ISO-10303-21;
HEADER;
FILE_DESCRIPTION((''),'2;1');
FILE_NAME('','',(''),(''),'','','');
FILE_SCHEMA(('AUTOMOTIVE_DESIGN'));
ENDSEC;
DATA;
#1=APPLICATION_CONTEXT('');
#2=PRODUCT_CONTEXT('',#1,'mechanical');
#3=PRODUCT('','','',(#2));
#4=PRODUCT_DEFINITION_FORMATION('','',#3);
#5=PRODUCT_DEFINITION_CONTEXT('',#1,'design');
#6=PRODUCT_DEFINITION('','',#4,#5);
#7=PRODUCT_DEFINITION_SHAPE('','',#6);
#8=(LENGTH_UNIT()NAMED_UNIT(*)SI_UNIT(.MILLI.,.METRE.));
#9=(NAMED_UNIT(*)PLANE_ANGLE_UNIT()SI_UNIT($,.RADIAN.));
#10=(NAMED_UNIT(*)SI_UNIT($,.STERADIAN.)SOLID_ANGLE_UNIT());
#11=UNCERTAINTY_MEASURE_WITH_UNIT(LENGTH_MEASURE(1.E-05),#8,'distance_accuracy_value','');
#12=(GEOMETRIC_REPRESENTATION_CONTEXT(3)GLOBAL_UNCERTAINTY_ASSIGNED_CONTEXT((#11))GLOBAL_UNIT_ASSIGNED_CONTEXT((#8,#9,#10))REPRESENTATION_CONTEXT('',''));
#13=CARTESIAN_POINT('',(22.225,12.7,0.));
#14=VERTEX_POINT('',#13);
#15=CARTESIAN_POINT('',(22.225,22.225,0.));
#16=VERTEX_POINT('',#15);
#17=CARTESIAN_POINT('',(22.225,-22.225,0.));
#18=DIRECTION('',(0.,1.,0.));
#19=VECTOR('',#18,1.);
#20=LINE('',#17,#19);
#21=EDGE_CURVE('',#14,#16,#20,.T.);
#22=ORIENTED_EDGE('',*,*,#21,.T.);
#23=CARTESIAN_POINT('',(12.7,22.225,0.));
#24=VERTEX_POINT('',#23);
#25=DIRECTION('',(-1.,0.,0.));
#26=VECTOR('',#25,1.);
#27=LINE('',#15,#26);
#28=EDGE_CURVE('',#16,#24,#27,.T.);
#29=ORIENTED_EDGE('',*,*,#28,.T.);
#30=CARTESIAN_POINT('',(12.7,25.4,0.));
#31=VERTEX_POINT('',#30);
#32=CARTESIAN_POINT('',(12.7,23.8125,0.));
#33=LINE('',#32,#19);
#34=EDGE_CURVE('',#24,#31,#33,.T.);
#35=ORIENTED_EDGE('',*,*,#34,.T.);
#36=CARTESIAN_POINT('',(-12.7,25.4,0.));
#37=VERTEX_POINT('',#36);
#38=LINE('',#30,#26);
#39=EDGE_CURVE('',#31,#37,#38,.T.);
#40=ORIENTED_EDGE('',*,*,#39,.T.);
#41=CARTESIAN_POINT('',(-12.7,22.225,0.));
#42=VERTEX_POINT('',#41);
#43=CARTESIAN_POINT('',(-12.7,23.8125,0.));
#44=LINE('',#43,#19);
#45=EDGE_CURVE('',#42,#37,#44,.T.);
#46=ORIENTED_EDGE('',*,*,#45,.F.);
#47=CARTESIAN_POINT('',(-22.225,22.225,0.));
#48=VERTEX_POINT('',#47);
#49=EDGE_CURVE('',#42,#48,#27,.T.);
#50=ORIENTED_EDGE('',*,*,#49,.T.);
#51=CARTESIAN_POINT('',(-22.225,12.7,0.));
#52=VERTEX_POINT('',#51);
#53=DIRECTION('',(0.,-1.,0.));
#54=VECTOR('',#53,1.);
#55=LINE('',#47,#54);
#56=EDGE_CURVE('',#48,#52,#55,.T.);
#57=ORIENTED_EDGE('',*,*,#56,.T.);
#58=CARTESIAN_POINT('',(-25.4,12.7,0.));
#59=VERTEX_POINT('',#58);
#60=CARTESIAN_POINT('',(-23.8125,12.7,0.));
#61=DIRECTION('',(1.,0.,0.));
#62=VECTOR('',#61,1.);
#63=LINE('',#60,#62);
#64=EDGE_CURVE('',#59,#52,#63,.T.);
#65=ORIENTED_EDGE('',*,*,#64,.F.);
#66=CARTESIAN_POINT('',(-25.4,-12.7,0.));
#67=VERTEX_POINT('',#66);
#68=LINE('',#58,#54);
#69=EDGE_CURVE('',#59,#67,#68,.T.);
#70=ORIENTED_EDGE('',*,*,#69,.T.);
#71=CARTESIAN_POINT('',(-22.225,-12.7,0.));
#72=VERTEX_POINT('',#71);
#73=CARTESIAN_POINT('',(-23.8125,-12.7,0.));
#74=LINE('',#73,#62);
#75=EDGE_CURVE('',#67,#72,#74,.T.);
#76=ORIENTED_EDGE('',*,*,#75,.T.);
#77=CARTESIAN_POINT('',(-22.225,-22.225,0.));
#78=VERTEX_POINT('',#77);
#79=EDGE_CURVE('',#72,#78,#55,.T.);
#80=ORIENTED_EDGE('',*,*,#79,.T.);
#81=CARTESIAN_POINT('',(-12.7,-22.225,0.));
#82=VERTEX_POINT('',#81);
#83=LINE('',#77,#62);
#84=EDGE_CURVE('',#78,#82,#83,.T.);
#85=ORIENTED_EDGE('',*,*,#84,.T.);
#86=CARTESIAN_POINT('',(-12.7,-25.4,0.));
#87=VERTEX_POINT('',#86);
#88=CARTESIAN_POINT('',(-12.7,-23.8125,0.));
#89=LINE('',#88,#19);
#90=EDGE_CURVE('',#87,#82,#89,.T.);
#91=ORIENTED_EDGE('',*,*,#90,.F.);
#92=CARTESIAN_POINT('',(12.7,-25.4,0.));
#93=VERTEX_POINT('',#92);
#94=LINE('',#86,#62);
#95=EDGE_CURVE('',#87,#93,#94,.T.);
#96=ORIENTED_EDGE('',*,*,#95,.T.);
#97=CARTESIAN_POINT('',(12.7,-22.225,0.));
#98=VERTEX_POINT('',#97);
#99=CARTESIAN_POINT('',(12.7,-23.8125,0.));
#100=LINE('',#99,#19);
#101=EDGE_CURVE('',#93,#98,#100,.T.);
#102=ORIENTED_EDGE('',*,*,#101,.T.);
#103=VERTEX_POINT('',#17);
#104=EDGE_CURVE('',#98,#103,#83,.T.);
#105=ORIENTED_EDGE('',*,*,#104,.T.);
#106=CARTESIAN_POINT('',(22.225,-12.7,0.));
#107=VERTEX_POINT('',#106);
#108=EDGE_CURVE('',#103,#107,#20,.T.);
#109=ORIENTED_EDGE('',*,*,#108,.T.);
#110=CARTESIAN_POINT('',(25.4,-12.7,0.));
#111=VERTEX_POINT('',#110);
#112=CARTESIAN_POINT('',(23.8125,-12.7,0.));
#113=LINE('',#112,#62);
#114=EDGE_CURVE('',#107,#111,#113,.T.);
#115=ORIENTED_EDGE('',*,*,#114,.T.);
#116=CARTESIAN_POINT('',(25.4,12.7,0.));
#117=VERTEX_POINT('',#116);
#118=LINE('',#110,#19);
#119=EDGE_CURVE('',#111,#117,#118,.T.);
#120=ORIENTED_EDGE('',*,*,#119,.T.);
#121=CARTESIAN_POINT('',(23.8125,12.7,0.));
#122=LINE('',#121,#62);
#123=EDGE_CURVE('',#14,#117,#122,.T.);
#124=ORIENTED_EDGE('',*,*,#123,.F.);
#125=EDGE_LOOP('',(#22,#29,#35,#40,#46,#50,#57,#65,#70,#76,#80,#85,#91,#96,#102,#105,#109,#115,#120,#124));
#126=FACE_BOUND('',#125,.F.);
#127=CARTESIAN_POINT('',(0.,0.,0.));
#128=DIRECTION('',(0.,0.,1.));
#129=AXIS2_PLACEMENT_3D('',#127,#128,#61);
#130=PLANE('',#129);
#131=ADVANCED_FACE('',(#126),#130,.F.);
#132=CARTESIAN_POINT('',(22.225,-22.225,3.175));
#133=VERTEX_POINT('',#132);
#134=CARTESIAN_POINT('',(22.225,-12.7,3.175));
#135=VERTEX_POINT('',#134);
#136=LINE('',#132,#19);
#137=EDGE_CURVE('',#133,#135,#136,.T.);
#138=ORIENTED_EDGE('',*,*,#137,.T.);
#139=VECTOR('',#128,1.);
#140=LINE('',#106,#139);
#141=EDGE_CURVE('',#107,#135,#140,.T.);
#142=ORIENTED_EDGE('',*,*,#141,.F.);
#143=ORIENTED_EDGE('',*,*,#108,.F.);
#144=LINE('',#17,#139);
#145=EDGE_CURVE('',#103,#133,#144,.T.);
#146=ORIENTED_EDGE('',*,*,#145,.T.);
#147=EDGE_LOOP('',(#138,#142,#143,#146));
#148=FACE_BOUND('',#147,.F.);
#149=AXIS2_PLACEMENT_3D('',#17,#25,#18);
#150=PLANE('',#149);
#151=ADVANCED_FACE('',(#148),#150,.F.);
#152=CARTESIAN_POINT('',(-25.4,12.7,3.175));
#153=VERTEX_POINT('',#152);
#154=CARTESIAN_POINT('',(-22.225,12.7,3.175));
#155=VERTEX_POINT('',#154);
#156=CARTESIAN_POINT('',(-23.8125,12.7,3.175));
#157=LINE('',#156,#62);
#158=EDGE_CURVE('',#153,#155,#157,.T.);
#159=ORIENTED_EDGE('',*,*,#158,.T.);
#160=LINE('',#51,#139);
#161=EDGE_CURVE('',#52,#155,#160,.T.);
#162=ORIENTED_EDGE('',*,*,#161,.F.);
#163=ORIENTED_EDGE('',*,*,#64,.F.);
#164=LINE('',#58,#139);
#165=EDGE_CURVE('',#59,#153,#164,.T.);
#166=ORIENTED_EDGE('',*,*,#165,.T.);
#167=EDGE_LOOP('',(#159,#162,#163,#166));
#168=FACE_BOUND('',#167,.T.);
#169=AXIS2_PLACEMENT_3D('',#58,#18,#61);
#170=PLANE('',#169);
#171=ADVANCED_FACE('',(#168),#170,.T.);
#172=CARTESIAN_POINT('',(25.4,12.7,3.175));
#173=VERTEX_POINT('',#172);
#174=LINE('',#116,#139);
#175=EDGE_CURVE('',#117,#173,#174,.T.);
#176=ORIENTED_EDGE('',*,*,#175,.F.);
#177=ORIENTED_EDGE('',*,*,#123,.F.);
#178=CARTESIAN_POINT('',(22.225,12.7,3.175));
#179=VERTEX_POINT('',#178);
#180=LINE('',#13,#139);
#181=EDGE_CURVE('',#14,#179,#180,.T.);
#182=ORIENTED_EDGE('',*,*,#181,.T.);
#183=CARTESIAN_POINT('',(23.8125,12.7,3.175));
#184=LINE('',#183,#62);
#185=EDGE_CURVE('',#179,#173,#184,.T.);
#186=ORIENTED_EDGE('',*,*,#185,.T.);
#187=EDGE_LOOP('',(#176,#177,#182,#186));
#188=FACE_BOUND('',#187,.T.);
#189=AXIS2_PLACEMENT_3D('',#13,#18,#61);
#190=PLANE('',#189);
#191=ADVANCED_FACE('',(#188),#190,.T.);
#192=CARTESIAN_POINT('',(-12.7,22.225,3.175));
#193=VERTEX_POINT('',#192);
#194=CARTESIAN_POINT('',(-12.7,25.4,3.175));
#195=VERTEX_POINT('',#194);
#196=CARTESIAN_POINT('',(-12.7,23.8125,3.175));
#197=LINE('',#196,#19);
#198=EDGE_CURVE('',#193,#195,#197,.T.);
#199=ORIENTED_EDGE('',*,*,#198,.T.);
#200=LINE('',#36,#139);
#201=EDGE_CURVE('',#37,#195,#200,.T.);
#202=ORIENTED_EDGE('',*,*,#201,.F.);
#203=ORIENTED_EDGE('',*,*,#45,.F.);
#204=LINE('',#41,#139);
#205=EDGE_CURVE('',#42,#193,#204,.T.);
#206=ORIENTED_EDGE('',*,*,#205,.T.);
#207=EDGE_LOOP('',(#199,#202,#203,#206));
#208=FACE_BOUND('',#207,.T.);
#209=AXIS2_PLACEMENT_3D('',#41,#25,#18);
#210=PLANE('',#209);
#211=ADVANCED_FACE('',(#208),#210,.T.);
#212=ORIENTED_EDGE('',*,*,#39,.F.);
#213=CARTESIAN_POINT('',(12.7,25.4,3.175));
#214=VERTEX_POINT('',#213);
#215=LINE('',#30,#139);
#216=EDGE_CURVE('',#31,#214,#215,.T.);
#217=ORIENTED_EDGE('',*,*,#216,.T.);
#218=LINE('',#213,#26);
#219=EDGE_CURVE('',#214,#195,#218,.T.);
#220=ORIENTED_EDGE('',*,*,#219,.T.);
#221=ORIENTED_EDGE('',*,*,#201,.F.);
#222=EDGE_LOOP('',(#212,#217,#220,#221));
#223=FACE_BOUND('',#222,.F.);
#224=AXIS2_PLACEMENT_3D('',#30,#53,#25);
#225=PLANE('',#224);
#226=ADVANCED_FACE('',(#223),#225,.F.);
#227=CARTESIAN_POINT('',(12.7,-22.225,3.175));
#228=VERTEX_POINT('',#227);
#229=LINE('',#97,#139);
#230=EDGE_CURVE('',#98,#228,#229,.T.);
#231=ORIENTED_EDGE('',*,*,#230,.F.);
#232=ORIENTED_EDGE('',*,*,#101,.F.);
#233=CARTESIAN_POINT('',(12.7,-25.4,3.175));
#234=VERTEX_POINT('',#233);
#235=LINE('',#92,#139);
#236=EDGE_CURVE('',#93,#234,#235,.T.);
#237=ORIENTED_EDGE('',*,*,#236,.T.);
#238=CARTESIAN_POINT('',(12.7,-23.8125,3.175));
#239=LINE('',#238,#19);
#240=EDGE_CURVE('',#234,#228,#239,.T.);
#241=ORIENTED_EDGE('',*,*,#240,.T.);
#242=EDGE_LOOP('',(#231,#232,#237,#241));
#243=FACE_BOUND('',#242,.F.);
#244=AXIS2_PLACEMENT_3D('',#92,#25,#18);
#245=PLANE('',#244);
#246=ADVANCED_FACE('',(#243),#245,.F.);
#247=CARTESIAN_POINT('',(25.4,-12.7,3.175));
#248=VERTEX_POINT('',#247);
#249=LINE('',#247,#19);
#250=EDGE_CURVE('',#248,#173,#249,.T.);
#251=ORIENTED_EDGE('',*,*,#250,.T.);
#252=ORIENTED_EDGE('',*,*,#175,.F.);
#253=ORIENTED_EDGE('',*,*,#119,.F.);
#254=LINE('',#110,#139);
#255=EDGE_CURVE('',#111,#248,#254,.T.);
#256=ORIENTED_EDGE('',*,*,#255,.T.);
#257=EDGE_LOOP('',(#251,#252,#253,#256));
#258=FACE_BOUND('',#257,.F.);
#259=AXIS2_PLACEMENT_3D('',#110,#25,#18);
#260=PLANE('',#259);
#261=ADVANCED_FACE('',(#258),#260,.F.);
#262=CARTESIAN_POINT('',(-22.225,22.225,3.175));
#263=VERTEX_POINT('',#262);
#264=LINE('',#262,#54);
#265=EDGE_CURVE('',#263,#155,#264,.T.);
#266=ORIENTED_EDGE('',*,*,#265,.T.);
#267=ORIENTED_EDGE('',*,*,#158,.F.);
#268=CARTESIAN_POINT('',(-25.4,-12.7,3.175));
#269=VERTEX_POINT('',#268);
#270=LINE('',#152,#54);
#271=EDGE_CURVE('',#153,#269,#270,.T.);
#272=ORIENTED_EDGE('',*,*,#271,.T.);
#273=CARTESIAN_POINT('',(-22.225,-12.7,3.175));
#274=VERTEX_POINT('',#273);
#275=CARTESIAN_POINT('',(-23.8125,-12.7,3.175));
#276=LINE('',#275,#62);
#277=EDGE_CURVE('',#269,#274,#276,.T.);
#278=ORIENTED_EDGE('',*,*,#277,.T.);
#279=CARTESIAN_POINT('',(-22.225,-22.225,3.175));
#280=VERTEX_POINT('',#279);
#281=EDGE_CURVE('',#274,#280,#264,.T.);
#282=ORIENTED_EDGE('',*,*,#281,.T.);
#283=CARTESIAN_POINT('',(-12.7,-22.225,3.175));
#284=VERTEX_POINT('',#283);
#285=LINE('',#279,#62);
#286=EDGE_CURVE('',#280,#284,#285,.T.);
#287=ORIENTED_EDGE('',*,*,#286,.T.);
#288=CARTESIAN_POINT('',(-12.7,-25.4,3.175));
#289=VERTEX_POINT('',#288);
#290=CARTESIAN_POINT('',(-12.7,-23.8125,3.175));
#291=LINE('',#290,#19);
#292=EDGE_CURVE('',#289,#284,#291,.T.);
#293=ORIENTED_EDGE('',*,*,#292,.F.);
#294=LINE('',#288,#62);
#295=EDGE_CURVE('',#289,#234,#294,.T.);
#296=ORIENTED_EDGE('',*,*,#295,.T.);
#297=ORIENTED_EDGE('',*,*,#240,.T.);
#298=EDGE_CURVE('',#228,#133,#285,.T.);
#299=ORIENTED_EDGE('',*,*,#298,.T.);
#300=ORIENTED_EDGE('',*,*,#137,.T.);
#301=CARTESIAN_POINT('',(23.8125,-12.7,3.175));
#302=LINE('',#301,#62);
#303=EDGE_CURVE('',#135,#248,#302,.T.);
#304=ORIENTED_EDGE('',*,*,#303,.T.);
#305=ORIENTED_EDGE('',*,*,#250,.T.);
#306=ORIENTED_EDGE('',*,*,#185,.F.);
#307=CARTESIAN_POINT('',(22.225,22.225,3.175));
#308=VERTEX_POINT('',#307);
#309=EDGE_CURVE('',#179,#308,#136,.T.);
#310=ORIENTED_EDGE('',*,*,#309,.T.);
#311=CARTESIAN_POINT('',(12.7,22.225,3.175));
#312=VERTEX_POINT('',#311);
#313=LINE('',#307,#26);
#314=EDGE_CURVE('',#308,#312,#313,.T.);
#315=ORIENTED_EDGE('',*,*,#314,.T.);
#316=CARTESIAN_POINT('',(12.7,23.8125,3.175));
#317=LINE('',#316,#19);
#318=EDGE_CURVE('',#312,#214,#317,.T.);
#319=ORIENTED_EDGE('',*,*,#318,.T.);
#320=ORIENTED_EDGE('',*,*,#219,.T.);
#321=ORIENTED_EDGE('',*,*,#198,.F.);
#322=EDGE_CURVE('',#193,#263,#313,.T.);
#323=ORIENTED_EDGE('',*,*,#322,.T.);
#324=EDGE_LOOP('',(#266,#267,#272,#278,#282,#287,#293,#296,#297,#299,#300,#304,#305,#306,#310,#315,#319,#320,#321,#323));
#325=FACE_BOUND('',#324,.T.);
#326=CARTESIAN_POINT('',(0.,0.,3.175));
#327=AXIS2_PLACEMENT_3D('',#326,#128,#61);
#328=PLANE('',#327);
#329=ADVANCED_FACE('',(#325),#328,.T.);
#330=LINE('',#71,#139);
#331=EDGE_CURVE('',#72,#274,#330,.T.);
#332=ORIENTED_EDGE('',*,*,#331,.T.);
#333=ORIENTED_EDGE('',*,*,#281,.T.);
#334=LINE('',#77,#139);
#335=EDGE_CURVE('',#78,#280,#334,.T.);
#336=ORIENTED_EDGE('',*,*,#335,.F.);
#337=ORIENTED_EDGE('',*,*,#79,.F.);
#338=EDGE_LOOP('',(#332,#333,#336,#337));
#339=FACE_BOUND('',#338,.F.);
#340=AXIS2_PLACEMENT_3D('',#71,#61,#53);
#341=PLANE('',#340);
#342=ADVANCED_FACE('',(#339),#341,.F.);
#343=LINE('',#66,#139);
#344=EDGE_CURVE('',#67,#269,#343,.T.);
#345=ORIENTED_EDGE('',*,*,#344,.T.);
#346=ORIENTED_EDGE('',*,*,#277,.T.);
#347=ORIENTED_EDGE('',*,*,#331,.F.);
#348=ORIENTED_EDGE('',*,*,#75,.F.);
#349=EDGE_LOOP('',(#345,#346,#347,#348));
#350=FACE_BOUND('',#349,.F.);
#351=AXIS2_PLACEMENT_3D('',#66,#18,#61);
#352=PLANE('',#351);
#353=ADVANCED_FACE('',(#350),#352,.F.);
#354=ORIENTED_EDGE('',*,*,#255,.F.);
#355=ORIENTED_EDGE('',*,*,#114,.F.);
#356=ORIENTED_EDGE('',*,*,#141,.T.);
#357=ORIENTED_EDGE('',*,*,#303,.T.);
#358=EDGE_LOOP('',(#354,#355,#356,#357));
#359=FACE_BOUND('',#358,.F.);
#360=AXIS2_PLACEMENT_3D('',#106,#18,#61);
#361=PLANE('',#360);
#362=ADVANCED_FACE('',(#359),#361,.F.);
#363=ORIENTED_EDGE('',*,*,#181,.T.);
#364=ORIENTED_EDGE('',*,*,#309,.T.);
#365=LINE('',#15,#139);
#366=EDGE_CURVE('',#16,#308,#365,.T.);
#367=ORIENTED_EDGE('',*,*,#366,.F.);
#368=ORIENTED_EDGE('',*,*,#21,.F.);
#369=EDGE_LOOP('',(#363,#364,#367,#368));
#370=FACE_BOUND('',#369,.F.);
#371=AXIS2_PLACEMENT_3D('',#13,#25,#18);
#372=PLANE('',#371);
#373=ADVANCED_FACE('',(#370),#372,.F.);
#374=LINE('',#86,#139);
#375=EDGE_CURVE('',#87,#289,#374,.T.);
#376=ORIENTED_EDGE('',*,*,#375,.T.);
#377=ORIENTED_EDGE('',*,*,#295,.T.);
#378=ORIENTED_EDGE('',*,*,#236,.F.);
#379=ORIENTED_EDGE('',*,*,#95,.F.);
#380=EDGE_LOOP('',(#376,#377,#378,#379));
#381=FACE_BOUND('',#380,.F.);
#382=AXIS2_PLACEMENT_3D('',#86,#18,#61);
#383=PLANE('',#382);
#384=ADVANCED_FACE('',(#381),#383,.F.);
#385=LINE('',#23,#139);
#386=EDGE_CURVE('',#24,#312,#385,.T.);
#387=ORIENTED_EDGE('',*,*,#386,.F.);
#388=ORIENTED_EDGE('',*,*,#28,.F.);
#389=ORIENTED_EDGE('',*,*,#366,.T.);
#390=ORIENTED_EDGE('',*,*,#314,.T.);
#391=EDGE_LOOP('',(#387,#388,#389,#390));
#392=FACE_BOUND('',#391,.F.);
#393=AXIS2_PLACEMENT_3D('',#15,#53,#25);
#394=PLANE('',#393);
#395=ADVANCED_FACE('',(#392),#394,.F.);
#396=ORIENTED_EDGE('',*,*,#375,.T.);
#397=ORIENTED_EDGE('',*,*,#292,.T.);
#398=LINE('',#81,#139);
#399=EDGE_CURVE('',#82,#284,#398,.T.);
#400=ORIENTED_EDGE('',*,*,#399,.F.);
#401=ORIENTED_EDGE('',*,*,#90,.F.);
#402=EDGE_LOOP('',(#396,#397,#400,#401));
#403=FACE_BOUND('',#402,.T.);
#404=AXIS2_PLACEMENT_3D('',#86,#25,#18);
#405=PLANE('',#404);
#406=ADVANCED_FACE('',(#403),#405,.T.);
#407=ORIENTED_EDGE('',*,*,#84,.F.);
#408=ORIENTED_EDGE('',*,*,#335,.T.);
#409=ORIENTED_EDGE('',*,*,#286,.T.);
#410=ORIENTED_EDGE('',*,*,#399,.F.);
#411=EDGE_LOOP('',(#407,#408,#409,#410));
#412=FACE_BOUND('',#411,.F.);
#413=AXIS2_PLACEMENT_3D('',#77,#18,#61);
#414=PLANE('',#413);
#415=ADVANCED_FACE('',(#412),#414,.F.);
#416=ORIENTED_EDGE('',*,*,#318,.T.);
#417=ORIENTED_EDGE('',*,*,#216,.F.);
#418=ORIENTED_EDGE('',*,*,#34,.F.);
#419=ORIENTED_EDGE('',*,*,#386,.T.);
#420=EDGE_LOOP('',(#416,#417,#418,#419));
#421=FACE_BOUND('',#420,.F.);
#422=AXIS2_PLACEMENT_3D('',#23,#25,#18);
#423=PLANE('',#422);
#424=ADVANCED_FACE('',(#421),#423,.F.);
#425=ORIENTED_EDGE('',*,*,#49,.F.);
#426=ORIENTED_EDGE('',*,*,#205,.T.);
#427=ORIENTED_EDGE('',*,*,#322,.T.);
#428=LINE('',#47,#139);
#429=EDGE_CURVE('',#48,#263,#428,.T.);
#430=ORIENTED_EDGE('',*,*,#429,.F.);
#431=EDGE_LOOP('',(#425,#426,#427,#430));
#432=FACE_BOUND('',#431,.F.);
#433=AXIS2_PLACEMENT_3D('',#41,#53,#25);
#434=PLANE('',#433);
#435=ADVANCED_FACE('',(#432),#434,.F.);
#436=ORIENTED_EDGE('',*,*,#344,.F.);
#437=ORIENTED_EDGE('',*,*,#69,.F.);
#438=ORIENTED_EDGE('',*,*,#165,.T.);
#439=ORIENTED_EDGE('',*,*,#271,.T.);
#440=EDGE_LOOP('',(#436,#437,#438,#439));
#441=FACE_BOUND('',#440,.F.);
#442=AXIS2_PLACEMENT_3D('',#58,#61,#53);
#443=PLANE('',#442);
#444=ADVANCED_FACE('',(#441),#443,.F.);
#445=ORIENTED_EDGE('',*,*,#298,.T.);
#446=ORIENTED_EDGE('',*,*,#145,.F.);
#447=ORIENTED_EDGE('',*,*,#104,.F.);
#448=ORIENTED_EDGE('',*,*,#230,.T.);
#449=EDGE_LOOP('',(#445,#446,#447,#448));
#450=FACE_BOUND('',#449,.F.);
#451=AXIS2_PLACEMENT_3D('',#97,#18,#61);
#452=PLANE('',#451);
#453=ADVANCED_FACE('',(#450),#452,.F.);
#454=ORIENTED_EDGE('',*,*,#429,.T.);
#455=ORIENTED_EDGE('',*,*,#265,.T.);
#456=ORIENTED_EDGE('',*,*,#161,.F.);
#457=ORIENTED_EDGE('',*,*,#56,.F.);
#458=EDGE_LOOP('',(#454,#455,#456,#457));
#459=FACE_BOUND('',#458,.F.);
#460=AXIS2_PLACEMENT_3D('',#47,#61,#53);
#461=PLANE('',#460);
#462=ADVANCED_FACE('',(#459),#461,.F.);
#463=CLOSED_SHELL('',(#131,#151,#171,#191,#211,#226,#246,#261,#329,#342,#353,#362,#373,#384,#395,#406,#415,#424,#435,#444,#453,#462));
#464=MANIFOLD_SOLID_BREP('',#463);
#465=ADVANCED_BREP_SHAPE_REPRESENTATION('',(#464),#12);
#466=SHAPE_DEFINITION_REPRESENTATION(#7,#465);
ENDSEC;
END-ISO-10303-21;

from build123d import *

# Parameters (mm, degrees)
F0_W     = 12.7
F0_H     = 3.175
F0_W_2   = 3.175
F0_H_2   = 12.7
F1_DEPTH = 3.175


with BuildPart() as f1:
    # F0 (on Top) → F1 (new body)
    with BuildSketch(Plane.XY):
        Polygon((-12.7, 22.225), (-22.225, 22.225), (-22.225, 12.7), (-22.225, 0), (-22.225, -12.7), (-22.225, -22.225), (-12.7, -22.225), (0, -22.225), (12.7, -22.225), (22.225, -22.225), (22.225, -12.7), (22.225, 0), (22.225, 12.7), (22.225, 22.225), (12.7, 22.225), (0, 22.225), align=None)
        with Locations((-6.35, 23.8125)):
            Rectangle(F0_W, F0_H)
        with Locations((6.35, 23.8125)):
            Rectangle(F0_W, F0_H)
        with Locations((23.8125, 6.35)):
            Rectangle(F0_W_2, F0_H_2)
        with Locations((23.8125, -6.35)):
            Rectangle(F0_W_2, F0_H_2)
        with Locations((6.35, -23.8125)):
            Rectangle(F0_W, F0_H)
        with Locations((-6.35, -23.8125)):
            Rectangle(F0_W, F0_H)
        with Locations((-23.8125, -6.35)):
            Rectangle(F0_W_2, F0_H_2)
        with Locations((-23.8125, 6.35)):
            Rectangle(F0_W_2, F0_H_2)
    extrude(amount=F1_DEPTH)


solid = f1.part
